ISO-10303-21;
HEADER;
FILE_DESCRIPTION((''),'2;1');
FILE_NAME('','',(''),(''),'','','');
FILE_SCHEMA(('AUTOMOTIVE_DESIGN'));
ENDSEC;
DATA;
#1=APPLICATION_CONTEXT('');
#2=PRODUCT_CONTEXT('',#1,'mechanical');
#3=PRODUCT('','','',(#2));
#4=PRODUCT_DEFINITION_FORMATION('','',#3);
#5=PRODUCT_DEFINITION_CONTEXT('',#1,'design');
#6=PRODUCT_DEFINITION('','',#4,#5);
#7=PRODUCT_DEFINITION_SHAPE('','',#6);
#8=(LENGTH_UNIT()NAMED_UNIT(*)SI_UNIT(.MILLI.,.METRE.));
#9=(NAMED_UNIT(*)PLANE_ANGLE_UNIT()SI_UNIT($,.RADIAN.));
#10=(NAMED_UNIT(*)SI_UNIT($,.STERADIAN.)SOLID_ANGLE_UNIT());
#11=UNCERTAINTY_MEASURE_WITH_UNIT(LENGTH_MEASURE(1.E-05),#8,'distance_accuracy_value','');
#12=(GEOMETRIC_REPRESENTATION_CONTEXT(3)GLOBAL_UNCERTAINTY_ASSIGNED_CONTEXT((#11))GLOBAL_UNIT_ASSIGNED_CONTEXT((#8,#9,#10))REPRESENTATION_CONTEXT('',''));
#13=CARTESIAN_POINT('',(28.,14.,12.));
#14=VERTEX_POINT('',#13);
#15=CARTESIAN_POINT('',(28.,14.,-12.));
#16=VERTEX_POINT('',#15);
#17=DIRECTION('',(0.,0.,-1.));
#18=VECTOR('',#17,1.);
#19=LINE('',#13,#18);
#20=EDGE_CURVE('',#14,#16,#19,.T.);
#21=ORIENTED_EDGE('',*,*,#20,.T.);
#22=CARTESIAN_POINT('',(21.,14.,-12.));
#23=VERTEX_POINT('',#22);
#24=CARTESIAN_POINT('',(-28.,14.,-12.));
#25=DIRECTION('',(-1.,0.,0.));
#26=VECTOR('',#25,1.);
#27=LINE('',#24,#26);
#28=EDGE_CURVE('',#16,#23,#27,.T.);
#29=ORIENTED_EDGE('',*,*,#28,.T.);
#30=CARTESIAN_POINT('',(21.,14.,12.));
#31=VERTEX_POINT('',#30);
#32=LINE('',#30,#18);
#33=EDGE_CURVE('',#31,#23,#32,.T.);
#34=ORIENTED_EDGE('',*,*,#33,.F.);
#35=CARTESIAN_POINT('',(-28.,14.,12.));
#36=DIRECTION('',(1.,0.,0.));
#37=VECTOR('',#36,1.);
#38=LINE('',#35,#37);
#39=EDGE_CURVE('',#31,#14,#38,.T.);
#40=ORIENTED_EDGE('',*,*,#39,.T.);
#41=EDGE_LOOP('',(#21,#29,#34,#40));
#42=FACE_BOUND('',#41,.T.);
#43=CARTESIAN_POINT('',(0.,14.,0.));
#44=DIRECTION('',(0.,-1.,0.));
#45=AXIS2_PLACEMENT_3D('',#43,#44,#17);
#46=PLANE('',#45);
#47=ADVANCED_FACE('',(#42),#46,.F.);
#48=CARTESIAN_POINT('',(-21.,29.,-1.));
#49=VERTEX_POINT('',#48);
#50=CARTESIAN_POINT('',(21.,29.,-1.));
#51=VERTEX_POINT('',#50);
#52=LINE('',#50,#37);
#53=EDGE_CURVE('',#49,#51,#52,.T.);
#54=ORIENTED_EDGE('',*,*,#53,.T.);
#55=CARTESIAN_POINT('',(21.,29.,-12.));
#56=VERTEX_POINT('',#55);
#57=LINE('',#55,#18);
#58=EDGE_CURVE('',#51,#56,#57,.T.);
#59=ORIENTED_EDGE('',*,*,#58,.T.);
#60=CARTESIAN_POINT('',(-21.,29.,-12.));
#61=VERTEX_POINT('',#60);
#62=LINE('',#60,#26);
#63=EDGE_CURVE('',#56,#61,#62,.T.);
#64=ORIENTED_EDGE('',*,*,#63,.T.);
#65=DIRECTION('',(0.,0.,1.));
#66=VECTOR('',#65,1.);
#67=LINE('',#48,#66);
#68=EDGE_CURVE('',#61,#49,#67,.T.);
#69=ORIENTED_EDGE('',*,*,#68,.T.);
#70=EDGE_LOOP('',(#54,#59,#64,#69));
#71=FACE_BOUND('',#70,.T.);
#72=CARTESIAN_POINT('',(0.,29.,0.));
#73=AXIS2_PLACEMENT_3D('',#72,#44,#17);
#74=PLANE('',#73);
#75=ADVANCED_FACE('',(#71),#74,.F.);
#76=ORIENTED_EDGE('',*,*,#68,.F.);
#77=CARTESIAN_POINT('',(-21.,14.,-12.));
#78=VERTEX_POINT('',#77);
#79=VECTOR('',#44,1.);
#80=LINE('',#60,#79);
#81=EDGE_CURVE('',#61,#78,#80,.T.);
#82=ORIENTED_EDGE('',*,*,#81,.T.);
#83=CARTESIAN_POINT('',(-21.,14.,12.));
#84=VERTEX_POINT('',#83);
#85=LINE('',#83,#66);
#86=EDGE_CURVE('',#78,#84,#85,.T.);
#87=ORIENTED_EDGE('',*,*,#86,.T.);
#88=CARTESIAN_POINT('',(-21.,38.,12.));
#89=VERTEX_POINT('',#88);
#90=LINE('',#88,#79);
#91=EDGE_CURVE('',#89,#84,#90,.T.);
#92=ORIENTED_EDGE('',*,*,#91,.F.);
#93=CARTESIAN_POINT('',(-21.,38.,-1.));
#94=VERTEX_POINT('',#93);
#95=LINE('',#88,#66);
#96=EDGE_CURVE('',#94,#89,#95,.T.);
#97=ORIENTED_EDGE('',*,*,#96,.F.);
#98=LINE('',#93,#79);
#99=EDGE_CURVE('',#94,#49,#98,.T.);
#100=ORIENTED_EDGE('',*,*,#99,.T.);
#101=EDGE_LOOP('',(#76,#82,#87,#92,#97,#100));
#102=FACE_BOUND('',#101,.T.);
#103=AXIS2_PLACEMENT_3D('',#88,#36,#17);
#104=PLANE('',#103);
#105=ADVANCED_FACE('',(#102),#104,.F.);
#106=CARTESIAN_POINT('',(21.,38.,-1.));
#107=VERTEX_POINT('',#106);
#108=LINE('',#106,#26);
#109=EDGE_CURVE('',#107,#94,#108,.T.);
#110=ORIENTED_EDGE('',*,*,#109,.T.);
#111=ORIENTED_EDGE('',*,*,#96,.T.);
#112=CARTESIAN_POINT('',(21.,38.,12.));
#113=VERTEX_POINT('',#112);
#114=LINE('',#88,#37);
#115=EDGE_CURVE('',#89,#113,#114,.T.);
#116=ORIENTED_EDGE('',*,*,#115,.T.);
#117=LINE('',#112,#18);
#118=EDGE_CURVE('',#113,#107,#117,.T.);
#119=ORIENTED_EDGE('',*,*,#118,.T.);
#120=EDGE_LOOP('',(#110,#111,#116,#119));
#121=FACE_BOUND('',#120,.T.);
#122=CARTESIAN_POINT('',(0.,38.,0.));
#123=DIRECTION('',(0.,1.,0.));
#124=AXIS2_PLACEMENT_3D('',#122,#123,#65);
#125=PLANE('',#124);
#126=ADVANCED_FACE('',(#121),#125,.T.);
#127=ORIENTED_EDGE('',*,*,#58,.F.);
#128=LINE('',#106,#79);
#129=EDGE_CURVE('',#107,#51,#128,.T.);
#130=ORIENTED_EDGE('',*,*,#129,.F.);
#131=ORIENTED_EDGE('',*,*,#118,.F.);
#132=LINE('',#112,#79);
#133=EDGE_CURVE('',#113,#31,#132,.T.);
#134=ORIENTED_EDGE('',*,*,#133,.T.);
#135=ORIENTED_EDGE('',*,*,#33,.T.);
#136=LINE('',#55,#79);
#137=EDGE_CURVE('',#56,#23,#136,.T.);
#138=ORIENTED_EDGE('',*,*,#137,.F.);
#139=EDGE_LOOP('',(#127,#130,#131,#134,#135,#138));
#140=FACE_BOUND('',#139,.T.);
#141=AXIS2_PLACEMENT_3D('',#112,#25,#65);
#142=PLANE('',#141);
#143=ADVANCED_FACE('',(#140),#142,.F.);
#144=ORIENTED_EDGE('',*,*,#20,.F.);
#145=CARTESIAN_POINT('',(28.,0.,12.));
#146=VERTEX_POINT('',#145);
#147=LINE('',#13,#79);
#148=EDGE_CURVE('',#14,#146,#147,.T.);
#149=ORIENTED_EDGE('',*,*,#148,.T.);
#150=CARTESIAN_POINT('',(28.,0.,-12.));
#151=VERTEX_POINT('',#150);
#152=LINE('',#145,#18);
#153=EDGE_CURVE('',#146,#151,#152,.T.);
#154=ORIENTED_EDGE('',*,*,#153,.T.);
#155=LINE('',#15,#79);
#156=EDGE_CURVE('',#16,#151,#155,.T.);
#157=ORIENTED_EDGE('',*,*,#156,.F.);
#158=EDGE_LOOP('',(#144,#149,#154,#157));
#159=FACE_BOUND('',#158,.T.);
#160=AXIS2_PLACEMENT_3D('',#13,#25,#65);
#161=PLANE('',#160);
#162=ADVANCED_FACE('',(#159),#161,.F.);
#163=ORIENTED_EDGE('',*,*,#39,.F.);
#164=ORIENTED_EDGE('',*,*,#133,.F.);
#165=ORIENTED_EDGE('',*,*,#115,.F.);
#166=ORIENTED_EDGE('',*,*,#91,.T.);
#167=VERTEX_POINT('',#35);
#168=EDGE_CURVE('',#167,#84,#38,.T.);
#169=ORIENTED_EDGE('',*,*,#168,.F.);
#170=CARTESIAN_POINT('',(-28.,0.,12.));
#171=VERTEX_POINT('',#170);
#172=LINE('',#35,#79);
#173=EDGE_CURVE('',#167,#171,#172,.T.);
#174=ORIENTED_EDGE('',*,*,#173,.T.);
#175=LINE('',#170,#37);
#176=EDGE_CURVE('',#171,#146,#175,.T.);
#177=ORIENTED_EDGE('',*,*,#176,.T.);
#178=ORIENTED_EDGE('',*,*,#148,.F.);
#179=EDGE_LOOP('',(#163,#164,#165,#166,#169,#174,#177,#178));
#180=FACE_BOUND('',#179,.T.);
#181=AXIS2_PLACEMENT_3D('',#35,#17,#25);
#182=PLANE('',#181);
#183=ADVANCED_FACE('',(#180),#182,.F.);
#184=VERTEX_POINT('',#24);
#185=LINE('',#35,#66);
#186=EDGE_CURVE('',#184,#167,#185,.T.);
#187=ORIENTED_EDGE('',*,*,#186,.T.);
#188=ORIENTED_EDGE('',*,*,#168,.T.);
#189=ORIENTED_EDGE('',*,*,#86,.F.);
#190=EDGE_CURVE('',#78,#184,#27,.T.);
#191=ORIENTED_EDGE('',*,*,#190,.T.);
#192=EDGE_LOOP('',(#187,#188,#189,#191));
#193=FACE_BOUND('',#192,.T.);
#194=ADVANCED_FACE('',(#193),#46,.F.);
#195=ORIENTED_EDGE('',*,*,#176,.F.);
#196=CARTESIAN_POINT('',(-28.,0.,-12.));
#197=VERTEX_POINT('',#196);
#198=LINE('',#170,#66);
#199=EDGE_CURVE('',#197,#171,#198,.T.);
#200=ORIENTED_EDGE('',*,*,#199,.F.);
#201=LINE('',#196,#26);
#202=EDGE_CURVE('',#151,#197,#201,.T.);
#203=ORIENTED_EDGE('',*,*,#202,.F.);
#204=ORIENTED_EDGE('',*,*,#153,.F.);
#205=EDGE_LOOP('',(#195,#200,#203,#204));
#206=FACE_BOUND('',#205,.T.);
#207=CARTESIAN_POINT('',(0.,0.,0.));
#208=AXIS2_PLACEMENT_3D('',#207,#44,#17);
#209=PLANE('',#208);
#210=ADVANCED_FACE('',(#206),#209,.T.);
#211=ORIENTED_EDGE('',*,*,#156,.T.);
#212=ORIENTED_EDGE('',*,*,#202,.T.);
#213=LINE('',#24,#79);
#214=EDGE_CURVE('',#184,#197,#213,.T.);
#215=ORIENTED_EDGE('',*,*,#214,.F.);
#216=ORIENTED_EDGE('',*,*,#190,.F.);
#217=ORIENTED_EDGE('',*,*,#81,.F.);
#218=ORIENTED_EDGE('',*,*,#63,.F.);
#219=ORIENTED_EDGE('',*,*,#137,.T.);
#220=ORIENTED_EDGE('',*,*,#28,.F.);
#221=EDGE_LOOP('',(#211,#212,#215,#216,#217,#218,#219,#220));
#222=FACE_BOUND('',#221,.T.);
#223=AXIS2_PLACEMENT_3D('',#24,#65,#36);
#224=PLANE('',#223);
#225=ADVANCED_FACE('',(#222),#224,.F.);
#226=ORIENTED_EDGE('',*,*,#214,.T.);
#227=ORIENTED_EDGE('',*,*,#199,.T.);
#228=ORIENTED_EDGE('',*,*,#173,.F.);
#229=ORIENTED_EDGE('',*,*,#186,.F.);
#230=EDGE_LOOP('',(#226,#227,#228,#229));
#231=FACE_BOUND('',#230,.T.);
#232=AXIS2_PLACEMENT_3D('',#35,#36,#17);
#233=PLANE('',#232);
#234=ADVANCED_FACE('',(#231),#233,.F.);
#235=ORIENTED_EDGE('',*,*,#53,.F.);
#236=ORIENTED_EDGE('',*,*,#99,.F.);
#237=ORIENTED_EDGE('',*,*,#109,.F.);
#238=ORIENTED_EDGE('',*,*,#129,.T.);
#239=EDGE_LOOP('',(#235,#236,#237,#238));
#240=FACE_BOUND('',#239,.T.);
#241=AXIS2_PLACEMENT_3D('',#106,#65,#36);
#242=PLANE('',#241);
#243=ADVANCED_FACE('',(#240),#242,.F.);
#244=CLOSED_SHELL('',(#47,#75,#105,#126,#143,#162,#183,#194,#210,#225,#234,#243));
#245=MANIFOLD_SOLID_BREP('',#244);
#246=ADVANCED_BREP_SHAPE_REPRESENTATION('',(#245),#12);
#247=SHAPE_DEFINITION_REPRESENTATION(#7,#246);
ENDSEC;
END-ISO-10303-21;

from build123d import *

# Parameters (mm, degrees)
SKETCH1_W           = 56
SKETCH1_H           = 24
BOSS_EXTRUDE1_DEPTH = 14
SKETCH5_W           = 42
SKETCH5_H           = 13
BOSS_EXTRUDE4_DEPTH = 24
SKETCH6_W           = 42
SKETCH6_H           = 11
BOSS_EXTRUDE5_DEPTH = 15


with BuildPart() as part:
    # Sketch1 → Boss-Extrude1 (new body)
    with BuildSketch(Plane(origin=(0, 0, 0), x_dir=(1, 0, 0), z_dir=(0, 1, 0))):
        Rectangle(SKETCH1_W, SKETCH1_H)
    extrude(amount=BOSS_EXTRUDE1_DEPTH)

    # Sketch5 → Boss-Extrude4 (add)
    with BuildSketch(Plane(origin=(0, 14, 0), x_dir=(1, 0, 0), z_dir=(0, 1, 0))):
        with Locations((0, -5.5)):
            Rectangle(SKETCH5_W, SKETCH5_H)
    extrude(amount=BOSS_EXTRUDE4_DEPTH)

    # Sketch6 → Boss-Extrude5 (add)
    with BuildSketch(Plane(origin=(0, 14, 0), x_dir=(1, 0, 0), z_dir=(0, 1, 0))):
        with Locations((0, 6.5)):
            Rectangle(SKETCH6_W, SKETCH6_H)
    extrude(amount=BOSS_EXTRUDE5_DEPTH)


solid = part.part
